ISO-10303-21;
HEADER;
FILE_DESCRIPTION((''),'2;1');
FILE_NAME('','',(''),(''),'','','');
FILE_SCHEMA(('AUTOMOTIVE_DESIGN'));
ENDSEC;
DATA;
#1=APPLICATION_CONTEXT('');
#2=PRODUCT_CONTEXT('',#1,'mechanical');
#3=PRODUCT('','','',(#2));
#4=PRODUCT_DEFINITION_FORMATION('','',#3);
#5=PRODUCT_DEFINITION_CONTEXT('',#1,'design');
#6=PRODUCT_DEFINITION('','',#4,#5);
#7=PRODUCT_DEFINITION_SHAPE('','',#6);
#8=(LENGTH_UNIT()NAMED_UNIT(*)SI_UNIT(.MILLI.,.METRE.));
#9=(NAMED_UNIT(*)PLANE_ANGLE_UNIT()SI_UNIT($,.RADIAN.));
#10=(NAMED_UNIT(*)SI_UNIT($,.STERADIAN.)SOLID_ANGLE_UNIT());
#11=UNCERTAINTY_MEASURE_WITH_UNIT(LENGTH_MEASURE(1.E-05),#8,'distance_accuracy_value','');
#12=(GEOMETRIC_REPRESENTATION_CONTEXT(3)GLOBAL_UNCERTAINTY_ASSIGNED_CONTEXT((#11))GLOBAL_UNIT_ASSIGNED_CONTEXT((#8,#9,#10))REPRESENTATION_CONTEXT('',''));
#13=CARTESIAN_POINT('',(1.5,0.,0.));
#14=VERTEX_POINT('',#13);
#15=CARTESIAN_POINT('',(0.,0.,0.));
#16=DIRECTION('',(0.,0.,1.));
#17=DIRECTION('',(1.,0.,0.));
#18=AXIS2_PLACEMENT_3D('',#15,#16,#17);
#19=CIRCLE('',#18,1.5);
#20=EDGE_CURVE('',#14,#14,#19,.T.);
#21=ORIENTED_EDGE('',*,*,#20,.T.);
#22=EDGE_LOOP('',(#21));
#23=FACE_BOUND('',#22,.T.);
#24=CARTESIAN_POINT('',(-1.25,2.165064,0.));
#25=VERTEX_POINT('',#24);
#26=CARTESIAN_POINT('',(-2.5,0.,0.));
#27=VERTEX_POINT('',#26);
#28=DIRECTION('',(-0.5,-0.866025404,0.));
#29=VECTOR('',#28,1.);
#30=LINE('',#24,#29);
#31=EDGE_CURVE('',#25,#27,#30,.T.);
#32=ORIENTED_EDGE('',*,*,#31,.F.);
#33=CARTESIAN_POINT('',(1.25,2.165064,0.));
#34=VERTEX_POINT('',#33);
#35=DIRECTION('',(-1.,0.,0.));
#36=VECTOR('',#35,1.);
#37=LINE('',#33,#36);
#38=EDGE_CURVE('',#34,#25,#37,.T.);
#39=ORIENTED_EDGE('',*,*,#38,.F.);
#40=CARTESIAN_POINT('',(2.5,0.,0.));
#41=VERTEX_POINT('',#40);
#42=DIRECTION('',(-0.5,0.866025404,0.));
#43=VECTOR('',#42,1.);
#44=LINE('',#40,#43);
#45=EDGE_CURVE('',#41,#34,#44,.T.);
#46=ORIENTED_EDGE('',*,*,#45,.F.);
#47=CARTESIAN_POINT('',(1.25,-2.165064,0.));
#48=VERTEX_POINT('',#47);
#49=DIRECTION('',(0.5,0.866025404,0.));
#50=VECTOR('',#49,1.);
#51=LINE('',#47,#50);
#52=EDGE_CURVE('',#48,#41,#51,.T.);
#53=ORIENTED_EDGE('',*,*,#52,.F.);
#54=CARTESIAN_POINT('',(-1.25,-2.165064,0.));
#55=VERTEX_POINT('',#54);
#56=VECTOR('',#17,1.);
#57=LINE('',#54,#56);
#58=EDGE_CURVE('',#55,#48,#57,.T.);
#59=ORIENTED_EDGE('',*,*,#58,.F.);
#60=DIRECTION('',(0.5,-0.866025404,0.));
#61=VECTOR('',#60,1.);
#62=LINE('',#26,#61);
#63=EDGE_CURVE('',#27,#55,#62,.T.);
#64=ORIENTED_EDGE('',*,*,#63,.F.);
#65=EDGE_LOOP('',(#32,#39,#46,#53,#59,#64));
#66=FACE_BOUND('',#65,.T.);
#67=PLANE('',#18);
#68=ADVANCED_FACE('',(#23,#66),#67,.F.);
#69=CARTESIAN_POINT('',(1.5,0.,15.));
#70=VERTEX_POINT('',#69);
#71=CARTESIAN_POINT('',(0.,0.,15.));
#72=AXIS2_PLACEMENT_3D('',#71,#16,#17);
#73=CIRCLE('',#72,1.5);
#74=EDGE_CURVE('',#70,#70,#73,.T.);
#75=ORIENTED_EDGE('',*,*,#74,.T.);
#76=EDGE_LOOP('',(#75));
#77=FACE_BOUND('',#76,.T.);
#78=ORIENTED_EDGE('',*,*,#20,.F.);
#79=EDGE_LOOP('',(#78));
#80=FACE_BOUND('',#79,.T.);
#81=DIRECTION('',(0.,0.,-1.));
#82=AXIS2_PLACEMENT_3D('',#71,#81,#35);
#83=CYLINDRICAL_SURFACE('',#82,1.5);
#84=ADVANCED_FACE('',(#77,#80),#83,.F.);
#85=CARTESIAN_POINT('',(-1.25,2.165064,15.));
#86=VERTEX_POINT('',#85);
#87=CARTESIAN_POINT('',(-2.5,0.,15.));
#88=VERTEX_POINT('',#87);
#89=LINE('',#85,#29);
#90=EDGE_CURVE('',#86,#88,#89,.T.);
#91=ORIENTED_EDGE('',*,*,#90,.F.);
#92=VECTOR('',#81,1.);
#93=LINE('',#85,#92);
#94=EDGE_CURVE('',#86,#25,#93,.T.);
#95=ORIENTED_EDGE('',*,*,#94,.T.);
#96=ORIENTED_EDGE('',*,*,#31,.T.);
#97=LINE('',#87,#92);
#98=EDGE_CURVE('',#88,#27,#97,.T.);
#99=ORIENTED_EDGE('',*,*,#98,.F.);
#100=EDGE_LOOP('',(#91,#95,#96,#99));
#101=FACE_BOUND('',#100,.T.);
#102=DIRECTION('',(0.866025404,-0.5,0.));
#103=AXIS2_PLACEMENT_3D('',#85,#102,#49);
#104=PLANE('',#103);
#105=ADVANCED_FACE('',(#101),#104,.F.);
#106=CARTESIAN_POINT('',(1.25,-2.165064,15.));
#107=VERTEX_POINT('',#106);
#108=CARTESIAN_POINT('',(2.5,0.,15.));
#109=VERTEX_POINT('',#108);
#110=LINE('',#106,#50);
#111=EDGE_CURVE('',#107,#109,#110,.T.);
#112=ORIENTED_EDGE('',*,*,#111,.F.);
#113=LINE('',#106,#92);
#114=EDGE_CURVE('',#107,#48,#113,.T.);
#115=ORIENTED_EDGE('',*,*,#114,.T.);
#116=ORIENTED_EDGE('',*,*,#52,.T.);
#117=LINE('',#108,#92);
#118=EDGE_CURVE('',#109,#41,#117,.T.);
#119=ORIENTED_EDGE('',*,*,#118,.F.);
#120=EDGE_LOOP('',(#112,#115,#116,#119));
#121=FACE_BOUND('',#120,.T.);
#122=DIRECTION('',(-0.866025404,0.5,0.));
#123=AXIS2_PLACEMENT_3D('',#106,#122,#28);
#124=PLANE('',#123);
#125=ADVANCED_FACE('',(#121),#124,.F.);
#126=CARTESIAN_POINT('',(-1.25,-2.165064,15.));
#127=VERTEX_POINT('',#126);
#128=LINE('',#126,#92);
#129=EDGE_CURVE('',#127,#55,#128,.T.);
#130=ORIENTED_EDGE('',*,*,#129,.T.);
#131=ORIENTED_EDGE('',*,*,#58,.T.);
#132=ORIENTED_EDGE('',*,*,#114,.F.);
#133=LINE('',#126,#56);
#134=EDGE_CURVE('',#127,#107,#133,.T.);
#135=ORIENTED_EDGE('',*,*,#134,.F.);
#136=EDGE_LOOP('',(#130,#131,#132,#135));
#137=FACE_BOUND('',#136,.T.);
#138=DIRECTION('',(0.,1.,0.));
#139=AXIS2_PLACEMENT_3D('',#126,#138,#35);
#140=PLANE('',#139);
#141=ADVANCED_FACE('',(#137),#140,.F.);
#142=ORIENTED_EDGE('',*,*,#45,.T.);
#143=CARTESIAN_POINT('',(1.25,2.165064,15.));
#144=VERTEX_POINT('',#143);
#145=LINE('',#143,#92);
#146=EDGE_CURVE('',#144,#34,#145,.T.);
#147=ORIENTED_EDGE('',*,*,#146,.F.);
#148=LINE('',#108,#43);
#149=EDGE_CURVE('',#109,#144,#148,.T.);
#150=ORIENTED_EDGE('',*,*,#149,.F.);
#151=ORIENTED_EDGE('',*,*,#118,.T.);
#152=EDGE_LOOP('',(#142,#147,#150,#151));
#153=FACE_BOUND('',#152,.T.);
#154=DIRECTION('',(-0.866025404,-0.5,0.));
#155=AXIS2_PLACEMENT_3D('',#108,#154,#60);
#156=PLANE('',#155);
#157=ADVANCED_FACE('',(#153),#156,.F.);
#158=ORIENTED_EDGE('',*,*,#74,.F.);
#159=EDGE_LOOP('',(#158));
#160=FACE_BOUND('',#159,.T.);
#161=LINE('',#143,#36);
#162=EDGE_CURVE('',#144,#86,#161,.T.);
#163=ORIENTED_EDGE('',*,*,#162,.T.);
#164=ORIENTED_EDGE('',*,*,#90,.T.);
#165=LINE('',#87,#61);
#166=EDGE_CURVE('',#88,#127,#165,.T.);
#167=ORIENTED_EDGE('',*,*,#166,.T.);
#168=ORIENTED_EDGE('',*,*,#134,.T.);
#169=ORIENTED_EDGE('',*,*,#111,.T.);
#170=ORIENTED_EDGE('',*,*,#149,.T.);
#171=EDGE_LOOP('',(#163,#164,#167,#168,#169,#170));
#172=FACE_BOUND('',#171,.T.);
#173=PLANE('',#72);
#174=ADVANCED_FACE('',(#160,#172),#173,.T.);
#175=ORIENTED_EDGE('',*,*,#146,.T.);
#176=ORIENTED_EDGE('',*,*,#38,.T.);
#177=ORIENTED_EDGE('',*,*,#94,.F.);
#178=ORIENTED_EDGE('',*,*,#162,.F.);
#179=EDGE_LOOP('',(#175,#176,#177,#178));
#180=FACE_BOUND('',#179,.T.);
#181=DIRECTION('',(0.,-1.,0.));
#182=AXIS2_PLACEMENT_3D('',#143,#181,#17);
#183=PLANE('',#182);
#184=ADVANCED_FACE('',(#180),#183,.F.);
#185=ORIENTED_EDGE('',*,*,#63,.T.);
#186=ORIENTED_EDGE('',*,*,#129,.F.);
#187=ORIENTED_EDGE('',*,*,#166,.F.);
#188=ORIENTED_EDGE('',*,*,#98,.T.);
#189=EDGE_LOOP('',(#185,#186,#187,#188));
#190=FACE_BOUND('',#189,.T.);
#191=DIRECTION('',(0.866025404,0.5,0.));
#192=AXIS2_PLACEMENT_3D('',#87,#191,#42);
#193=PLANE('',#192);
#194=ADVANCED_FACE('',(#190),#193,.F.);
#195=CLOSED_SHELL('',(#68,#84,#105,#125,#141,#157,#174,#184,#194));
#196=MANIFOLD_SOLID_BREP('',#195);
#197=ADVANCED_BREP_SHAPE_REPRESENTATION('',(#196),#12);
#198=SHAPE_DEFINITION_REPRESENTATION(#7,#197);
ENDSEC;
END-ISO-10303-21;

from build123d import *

# Parameters (mm, degrees)
SKETCH_1_R      = 1.5
EXTRUDE_1_DEPTH = 15


with BuildPart() as part:
    # 草图1 → 凸台-拉伸1 (new body)
    with BuildSketch(Plane.XY):
        Polygon((2.5, 0), (1.25, 2.165063509), (-1.25, 2.165063509), (-2.5, 0), (-1.25, -2.165063509), (1.25, -2.165063509), align=None)
        Circle(SKETCH_1_R, mode=Mode.SUBTRACT)
    extrude(amount=EXTRUDE_1_DEPTH)


solid = part.part
